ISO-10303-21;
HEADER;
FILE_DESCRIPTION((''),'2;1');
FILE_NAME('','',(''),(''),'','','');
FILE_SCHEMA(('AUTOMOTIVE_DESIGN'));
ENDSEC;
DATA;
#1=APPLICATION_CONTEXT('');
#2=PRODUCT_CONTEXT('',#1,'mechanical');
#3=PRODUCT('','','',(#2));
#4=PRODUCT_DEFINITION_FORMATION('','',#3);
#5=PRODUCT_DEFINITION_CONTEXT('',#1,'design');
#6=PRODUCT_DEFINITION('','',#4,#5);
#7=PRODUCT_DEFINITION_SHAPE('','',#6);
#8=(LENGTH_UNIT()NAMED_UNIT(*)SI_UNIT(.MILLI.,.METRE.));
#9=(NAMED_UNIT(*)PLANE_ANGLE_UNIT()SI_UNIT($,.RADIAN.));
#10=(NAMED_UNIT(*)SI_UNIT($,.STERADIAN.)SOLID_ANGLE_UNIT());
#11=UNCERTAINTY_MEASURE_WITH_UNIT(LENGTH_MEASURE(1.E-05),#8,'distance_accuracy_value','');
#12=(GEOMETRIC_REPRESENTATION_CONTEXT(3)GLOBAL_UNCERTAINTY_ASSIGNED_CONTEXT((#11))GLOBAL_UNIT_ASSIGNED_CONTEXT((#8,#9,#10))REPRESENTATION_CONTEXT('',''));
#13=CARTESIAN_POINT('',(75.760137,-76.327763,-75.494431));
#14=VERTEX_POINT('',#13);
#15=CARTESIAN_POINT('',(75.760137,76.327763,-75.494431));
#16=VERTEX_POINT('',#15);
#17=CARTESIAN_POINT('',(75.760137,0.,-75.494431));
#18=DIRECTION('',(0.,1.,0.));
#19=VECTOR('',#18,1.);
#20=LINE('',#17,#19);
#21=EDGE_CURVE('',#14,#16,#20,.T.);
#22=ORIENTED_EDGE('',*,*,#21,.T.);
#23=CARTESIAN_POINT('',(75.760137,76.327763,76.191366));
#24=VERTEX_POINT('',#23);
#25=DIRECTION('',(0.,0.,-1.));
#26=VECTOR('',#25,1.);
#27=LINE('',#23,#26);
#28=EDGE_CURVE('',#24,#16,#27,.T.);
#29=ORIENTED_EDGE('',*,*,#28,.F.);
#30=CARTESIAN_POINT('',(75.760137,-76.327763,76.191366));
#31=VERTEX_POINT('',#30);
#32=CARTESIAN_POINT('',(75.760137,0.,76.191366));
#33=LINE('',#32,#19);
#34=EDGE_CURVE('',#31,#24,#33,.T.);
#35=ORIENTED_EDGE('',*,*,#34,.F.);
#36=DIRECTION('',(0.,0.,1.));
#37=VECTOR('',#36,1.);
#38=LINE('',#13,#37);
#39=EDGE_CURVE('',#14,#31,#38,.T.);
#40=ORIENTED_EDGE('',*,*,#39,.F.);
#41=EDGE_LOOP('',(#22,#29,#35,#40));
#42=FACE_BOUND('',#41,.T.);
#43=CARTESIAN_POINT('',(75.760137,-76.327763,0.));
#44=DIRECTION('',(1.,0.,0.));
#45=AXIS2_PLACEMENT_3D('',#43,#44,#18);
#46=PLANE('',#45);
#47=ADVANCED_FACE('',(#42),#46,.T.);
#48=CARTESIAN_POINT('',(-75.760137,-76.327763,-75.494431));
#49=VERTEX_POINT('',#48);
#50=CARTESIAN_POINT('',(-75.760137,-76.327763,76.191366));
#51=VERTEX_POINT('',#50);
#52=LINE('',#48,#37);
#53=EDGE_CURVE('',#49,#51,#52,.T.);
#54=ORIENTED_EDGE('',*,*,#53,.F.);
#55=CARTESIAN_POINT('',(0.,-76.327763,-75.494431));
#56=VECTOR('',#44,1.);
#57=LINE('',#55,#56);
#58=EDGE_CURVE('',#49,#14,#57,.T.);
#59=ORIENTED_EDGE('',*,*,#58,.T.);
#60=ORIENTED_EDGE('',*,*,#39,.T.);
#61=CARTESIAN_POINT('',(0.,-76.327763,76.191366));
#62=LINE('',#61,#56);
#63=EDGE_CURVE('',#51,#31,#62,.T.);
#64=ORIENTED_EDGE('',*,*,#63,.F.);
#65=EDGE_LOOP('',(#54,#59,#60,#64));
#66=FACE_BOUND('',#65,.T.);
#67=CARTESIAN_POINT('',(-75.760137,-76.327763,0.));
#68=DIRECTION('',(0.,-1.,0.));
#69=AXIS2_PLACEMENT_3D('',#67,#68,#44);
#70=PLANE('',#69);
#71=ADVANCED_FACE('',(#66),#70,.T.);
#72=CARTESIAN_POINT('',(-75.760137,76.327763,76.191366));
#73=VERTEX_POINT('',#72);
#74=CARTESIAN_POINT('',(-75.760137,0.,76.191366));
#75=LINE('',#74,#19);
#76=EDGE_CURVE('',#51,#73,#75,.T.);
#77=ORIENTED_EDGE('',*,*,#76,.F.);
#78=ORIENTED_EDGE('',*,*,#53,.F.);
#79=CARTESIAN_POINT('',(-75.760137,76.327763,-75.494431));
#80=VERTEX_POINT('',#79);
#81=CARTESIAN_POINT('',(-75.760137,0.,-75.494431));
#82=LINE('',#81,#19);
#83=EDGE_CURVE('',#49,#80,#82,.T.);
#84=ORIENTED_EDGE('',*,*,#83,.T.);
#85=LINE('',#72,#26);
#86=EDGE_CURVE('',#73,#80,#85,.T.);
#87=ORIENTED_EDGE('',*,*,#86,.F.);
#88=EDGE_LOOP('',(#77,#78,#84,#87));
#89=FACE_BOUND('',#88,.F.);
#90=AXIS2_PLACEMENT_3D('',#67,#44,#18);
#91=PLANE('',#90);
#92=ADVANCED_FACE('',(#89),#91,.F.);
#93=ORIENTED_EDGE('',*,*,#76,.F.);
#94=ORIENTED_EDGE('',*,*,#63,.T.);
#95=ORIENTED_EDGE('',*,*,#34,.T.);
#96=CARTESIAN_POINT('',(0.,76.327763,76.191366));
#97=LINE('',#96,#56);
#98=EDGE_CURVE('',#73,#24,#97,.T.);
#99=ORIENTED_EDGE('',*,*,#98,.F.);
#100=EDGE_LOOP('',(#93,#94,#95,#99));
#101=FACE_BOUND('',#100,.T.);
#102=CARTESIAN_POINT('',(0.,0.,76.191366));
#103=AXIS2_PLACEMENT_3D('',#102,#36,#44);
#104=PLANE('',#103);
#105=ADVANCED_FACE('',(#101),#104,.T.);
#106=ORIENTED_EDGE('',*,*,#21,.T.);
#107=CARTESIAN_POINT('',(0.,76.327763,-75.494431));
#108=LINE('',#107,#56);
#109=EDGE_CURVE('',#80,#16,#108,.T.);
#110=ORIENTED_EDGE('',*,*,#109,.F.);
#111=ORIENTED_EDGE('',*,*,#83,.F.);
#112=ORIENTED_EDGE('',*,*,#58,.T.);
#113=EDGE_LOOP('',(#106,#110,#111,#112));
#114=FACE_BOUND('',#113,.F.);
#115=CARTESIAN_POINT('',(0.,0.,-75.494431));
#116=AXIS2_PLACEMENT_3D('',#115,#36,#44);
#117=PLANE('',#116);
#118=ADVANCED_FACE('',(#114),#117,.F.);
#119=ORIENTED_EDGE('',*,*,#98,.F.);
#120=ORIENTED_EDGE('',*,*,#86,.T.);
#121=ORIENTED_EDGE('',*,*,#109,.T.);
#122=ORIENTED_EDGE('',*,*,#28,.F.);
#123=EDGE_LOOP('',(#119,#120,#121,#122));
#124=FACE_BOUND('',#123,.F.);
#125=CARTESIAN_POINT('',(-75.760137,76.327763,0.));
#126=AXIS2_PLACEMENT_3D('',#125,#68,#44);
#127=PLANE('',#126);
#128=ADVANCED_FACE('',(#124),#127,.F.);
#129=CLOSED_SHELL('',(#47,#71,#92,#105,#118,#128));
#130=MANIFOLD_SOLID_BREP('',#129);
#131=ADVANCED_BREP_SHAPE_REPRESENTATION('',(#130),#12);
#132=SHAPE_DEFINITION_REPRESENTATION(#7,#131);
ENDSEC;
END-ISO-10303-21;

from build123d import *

# Parameters (mm, degrees)
F1_W     = 151.520274
F1_H     = 152.655526
F2_DEPTH = 76.191366
F0_W     = 151.520274
F0_H     = 152.655526
F3_DEPTH = 75.494431


with BuildPart() as f2:
    # F1 (on face) → F2 (new body)
    with BuildSketch(Plane.XY):
        Rectangle(F1_W, F1_H)
    extrude(amount=F2_DEPTH)

    # F0 (on Top) → F3 (join)
    with BuildSketch(Plane.XY):
        Rectangle(F0_W, F0_H)
    extrude(amount=-F3_DEPTH)


solid = f2.part
